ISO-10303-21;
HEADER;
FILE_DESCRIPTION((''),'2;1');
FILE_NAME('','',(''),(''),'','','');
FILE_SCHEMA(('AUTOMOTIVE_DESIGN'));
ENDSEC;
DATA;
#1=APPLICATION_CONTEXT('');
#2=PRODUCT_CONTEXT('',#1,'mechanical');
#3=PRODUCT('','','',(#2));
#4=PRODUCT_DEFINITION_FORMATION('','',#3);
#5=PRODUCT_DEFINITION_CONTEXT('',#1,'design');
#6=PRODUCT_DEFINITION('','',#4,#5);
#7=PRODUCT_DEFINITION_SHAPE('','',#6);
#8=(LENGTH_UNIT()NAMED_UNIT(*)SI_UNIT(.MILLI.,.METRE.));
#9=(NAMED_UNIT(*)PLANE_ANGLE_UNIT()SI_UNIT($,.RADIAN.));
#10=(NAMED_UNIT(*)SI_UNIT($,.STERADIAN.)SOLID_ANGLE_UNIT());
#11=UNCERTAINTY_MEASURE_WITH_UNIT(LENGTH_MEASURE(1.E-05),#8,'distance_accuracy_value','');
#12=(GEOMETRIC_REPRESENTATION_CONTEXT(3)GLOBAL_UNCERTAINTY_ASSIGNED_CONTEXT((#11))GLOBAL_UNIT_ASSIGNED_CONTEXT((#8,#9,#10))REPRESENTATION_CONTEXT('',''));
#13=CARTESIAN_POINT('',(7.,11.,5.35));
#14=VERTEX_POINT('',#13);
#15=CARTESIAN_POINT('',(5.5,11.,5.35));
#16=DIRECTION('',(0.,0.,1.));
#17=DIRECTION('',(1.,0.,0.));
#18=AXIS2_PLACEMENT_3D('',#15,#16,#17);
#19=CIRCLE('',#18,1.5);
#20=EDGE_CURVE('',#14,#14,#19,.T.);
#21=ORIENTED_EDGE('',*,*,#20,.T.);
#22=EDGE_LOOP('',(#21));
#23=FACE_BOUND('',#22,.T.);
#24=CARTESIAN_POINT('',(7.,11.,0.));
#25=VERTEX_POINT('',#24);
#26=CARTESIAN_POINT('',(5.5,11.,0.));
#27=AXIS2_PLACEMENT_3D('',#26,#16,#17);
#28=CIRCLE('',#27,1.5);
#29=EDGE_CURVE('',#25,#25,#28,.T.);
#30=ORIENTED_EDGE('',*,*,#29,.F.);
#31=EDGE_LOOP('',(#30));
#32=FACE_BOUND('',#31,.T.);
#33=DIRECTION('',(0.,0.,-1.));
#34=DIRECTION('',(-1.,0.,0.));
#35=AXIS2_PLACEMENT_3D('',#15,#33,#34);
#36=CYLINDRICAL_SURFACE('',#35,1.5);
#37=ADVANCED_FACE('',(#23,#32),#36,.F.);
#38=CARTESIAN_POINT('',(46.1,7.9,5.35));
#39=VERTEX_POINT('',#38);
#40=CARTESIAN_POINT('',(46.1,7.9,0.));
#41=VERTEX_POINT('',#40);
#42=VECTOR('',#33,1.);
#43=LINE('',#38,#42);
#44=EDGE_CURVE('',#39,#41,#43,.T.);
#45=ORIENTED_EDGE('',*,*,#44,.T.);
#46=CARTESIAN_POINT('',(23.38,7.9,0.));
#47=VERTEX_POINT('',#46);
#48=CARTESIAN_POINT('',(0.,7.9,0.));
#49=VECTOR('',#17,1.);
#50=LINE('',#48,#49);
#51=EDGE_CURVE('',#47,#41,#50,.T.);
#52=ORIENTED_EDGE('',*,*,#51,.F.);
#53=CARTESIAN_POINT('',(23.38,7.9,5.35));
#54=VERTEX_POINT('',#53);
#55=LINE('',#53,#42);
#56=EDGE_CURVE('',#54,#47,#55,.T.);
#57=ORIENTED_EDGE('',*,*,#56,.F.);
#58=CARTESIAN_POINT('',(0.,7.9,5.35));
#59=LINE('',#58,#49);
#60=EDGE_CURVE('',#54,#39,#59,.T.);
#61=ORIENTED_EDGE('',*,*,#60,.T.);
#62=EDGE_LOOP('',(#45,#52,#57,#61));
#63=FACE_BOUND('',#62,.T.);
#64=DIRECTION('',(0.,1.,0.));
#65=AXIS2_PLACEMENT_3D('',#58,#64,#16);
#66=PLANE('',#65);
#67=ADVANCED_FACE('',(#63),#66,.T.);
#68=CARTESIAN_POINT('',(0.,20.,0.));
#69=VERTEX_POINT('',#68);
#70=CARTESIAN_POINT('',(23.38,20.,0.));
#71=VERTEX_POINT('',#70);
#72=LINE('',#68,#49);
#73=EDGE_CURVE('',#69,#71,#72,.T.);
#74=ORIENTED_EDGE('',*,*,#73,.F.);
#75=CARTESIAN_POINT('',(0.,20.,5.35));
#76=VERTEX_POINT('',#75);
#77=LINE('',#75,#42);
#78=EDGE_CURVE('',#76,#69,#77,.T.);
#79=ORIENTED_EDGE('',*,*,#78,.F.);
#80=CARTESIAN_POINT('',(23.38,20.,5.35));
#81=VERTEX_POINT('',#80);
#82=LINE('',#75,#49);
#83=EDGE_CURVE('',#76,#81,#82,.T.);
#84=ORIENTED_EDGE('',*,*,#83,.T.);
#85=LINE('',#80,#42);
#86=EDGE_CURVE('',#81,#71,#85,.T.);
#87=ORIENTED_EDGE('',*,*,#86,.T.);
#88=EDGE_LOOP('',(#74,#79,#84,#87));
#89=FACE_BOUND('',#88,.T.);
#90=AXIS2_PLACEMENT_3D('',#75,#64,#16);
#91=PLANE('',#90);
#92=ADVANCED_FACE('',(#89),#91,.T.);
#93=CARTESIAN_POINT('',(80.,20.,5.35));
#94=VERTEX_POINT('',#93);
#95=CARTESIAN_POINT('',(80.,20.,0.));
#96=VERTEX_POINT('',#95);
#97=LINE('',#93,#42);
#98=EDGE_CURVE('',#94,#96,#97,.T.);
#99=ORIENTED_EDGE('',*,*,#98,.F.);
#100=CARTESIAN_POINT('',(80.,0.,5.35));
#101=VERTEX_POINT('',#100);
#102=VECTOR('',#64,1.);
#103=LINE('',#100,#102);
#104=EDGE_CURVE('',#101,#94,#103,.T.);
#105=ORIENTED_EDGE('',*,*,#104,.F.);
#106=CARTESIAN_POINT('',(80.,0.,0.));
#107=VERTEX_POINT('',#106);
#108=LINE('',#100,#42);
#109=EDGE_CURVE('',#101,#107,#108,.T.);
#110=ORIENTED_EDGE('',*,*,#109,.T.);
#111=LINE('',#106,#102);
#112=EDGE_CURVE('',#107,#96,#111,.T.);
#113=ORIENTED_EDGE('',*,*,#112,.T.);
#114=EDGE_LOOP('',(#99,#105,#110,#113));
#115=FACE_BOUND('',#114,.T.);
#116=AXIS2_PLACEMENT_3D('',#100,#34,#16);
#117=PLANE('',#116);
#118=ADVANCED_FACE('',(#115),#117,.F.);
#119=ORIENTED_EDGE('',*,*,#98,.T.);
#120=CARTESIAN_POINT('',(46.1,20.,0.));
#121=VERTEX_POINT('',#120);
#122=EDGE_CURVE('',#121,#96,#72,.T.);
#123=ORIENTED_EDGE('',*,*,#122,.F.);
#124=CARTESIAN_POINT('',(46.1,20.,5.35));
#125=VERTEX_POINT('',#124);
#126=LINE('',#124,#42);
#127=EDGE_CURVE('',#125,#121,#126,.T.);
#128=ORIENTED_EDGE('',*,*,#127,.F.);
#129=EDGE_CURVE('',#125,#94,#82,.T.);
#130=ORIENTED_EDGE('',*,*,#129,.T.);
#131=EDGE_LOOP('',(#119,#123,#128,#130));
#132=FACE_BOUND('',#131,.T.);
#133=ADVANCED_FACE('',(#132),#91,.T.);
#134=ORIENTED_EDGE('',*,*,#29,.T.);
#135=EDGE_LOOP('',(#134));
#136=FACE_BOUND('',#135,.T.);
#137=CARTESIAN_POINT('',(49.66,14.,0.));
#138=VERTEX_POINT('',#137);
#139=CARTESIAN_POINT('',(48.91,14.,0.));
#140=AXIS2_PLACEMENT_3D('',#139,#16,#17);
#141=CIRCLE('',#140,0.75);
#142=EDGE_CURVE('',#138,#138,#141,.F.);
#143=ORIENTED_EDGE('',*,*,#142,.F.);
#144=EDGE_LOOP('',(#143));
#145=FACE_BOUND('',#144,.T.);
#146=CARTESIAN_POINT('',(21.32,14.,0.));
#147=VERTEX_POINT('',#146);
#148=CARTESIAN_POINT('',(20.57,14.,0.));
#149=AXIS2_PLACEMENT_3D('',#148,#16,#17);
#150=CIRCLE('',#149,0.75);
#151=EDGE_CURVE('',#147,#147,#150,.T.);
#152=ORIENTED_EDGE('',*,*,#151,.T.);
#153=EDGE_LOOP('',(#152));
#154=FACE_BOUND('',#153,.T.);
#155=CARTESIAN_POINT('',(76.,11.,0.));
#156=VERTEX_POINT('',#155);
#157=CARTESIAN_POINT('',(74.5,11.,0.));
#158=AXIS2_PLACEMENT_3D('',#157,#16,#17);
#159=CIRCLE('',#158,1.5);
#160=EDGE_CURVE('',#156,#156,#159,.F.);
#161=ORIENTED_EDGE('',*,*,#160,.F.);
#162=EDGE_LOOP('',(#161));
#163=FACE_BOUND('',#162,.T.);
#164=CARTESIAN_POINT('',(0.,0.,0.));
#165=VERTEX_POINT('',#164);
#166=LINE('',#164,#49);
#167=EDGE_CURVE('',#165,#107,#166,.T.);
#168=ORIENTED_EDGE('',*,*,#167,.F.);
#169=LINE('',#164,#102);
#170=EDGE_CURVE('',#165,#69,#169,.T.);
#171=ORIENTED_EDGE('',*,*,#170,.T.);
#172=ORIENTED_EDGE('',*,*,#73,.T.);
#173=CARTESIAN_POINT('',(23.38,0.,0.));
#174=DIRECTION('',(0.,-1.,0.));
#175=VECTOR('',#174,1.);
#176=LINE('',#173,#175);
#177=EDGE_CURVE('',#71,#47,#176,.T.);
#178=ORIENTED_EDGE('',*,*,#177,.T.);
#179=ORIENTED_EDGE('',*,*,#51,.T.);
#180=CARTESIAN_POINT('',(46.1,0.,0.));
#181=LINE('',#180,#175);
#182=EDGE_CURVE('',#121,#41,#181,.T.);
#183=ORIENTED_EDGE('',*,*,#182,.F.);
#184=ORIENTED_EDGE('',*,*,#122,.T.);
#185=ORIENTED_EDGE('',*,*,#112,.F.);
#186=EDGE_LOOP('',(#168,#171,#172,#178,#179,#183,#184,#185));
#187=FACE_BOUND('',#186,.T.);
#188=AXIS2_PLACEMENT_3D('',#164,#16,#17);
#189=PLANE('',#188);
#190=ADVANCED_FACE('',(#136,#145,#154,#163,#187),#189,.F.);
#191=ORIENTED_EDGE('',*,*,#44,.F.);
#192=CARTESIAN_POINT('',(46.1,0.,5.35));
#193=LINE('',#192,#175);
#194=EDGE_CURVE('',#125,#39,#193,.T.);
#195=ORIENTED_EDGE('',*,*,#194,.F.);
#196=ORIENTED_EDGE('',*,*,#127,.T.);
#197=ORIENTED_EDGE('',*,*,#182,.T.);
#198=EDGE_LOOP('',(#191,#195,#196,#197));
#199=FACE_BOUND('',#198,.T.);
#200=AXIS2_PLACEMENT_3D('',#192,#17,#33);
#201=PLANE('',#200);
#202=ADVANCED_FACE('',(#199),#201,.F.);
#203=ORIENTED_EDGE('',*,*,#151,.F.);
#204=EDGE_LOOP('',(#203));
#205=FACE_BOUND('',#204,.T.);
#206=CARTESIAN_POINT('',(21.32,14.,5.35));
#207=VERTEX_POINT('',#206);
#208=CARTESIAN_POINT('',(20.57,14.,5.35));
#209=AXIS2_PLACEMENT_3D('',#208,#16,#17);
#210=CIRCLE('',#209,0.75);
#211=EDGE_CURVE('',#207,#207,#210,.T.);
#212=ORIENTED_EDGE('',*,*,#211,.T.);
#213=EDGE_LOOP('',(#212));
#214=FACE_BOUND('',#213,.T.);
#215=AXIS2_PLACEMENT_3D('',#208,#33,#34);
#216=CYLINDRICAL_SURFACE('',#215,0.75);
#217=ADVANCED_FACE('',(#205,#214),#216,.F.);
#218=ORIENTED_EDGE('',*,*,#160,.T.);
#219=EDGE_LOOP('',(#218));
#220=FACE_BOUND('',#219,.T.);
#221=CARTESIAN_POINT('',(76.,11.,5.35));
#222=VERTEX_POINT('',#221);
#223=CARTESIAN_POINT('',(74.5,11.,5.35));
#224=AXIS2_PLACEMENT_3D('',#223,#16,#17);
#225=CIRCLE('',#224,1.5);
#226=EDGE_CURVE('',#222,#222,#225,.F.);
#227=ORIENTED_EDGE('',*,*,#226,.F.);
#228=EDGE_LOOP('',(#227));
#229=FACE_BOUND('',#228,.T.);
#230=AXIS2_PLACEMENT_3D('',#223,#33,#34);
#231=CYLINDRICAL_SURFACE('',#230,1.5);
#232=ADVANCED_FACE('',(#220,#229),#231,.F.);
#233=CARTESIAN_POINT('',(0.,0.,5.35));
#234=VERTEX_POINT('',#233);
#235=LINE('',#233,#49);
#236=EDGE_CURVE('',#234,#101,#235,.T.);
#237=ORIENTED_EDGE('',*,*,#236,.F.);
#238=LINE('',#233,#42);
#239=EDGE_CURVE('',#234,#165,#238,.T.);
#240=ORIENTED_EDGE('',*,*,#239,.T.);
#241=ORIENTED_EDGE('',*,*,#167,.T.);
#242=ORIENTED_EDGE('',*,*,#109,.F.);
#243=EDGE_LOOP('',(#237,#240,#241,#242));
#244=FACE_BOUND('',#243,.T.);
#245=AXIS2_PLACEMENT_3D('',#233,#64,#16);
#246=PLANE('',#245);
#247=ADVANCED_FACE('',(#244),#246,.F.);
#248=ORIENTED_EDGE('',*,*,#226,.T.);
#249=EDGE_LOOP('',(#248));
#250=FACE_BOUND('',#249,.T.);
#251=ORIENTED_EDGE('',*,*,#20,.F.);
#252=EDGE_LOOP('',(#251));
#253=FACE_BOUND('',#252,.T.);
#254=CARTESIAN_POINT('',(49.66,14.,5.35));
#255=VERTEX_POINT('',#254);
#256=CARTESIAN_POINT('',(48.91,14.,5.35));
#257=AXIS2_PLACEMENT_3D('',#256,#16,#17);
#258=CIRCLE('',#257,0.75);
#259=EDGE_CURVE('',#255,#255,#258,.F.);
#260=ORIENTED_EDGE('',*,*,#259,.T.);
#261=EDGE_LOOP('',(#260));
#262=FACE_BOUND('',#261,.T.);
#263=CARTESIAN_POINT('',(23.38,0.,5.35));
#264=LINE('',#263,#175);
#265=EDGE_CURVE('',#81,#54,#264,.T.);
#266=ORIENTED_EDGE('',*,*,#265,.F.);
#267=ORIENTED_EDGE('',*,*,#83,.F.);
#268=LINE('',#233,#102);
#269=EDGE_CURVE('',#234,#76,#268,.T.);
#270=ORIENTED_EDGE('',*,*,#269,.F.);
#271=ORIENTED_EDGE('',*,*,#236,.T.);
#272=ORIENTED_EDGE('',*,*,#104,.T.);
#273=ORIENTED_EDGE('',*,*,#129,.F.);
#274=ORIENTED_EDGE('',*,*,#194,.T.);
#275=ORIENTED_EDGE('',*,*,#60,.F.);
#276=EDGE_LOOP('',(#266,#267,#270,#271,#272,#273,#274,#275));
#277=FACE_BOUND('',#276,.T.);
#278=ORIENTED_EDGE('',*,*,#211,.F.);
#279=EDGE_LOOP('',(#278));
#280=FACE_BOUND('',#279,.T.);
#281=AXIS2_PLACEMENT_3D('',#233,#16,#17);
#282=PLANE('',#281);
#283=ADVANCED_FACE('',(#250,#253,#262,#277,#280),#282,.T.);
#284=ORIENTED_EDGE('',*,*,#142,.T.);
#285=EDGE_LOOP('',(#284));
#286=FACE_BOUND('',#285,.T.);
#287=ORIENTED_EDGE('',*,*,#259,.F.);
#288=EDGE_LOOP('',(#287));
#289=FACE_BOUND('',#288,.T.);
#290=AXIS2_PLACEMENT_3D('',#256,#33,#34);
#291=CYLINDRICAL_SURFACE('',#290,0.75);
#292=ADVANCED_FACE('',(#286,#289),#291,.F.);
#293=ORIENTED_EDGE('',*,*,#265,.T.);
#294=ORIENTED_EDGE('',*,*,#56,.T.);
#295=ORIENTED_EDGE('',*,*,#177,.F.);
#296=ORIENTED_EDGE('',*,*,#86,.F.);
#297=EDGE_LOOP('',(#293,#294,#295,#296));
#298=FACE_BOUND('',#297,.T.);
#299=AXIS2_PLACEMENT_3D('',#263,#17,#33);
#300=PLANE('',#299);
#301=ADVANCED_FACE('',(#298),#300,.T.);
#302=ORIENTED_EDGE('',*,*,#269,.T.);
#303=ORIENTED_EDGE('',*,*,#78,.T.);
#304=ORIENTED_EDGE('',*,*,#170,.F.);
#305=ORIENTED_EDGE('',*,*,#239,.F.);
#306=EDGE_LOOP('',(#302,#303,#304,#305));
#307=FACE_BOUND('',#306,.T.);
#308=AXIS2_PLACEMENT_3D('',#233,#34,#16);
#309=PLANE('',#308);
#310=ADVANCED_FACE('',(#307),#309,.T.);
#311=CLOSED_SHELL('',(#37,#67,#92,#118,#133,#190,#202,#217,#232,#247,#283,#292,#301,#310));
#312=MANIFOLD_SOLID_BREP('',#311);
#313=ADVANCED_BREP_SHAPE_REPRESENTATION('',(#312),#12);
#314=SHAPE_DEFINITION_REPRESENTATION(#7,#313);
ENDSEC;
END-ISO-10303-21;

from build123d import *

# Parameters (mm, degrees)
MODEL_R             = 1.5
MODEL_R_2           = 0.75
BOSS_EXTRUDE1_DEPTH = 5.35


with BuildPart() as part:
    # Model → Boss-Extrude1 (new body)
    with BuildSketch(Plane.XY):
        Polygon((46.1, 20), (80, 20), (80, 0), (0, 0), (0, 20), (23.38, 20), (23.38, 7.9), (46.1, 7.9), align=None)
        with Locations((74.5, 11)):
            Circle(MODEL_R, mode=Mode.SUBTRACT)
        with Locations((5.5, 11)):
            Circle(MODEL_R, mode=Mode.SUBTRACT)
        with Locations((20.57, 14)):
            Circle(MODEL_R_2, mode=Mode.SUBTRACT)
        with Locations((48.91, 14)):
            Circle(MODEL_R_2, mode=Mode.SUBTRACT)
    extrude(amount=BOSS_EXTRUDE1_DEPTH)


solid = part.part
